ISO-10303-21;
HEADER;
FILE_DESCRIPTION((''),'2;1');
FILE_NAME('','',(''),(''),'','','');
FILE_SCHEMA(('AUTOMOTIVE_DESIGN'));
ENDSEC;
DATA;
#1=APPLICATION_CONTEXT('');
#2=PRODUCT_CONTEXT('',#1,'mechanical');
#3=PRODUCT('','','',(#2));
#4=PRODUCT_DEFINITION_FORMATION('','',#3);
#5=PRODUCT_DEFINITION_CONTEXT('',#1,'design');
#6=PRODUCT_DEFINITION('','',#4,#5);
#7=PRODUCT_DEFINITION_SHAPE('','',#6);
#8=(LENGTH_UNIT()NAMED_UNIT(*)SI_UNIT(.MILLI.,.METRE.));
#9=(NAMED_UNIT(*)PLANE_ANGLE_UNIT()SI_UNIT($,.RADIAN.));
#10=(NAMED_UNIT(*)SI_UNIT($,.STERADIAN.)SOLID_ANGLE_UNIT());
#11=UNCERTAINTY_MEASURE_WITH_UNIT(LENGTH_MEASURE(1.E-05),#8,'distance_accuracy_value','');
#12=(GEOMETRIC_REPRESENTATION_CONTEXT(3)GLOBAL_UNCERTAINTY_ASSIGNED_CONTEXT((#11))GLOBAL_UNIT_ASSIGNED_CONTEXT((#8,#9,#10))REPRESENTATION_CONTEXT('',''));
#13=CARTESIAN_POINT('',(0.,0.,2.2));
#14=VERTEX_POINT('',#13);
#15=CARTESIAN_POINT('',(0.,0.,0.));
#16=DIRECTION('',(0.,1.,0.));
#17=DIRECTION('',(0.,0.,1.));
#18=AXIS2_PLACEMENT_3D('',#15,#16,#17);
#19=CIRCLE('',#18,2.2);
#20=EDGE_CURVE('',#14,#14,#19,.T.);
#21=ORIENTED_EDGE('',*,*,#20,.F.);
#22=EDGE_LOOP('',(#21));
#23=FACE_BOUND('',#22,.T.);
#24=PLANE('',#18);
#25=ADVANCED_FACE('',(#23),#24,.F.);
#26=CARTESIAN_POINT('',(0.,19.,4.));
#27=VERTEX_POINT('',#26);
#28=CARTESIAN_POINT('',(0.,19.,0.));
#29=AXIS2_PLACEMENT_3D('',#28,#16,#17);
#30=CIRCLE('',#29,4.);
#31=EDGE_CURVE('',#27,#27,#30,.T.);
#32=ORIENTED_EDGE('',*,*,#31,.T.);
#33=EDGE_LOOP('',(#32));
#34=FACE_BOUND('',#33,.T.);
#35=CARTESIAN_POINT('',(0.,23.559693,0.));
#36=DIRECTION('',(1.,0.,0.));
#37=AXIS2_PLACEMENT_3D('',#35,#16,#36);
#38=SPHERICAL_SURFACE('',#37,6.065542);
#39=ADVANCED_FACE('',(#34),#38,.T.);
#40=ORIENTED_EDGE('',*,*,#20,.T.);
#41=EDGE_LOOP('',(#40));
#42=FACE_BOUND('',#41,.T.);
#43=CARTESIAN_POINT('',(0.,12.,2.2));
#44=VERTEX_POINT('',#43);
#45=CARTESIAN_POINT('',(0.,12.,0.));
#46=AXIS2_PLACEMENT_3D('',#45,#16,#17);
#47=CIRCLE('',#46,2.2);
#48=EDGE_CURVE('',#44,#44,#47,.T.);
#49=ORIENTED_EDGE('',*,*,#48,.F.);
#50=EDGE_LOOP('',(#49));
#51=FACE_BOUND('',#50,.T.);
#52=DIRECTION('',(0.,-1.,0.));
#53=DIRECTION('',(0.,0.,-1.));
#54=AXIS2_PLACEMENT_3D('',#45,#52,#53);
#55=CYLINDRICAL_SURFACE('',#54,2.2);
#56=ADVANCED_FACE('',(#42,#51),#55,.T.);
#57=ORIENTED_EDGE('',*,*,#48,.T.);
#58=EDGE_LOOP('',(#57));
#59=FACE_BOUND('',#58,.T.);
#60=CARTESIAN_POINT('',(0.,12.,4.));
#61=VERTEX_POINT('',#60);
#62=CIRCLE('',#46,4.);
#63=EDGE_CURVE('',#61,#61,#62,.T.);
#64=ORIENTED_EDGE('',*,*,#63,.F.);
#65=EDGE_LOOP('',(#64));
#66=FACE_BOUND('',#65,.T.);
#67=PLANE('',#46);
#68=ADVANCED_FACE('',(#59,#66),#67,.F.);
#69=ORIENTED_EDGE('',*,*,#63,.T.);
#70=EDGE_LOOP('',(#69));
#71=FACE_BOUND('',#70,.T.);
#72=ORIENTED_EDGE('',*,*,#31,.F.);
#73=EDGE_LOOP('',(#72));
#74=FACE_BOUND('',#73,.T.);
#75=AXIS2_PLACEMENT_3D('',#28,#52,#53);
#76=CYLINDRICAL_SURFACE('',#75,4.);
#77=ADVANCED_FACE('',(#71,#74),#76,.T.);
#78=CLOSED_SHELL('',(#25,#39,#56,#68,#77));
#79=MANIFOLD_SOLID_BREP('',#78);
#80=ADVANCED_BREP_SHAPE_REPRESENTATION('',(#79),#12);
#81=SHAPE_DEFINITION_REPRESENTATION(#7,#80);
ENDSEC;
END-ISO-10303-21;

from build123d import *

# Parameters (mm, degrees)
SKETCH1_R           = 2.2
BOSS_EXTRUDE1_DEPTH = 12
SKETCH3_R           = 4
BOSS_EXTRUDE2_DEPTH = 7


with BuildPart() as part:
    # Sketch1 → Boss-Extrude1 (new body)
    with BuildSketch(Plane(origin=(0, 0, 0), x_dir=(1, 0, 0), z_dir=(0, 1, 0))):
        Circle(SKETCH1_R)
    extrude(amount=BOSS_EXTRUDE1_DEPTH)

    # Sketch3 → Boss-Extrude2 (add)
    with BuildSketch(Plane(origin=(0, 12, 0), x_dir=(1, 0, 0), z_dir=(0, 1, 0))):
        Circle(SKETCH3_R)
    extrude(amount=BOSS_EXTRUDE2_DEPTH)

    # Sketch4 → Revolve2 (revolve)
    with BuildSketch(Plane.XY):
        with BuildLine():
            Line((0, 28.11938617), (0, 19))
            Line((0, 19), (4, 19))
            ThreePointArc((4, 19), (5.676610407, 25.69672264), (0, 29.62523519))
            Line((0, 29.62523519), (0, 28.11938617))
        make_face()
    revolve(axis=Axis((0, 28.11938617, 0), (0, -1, 0)))


solid = part.part
